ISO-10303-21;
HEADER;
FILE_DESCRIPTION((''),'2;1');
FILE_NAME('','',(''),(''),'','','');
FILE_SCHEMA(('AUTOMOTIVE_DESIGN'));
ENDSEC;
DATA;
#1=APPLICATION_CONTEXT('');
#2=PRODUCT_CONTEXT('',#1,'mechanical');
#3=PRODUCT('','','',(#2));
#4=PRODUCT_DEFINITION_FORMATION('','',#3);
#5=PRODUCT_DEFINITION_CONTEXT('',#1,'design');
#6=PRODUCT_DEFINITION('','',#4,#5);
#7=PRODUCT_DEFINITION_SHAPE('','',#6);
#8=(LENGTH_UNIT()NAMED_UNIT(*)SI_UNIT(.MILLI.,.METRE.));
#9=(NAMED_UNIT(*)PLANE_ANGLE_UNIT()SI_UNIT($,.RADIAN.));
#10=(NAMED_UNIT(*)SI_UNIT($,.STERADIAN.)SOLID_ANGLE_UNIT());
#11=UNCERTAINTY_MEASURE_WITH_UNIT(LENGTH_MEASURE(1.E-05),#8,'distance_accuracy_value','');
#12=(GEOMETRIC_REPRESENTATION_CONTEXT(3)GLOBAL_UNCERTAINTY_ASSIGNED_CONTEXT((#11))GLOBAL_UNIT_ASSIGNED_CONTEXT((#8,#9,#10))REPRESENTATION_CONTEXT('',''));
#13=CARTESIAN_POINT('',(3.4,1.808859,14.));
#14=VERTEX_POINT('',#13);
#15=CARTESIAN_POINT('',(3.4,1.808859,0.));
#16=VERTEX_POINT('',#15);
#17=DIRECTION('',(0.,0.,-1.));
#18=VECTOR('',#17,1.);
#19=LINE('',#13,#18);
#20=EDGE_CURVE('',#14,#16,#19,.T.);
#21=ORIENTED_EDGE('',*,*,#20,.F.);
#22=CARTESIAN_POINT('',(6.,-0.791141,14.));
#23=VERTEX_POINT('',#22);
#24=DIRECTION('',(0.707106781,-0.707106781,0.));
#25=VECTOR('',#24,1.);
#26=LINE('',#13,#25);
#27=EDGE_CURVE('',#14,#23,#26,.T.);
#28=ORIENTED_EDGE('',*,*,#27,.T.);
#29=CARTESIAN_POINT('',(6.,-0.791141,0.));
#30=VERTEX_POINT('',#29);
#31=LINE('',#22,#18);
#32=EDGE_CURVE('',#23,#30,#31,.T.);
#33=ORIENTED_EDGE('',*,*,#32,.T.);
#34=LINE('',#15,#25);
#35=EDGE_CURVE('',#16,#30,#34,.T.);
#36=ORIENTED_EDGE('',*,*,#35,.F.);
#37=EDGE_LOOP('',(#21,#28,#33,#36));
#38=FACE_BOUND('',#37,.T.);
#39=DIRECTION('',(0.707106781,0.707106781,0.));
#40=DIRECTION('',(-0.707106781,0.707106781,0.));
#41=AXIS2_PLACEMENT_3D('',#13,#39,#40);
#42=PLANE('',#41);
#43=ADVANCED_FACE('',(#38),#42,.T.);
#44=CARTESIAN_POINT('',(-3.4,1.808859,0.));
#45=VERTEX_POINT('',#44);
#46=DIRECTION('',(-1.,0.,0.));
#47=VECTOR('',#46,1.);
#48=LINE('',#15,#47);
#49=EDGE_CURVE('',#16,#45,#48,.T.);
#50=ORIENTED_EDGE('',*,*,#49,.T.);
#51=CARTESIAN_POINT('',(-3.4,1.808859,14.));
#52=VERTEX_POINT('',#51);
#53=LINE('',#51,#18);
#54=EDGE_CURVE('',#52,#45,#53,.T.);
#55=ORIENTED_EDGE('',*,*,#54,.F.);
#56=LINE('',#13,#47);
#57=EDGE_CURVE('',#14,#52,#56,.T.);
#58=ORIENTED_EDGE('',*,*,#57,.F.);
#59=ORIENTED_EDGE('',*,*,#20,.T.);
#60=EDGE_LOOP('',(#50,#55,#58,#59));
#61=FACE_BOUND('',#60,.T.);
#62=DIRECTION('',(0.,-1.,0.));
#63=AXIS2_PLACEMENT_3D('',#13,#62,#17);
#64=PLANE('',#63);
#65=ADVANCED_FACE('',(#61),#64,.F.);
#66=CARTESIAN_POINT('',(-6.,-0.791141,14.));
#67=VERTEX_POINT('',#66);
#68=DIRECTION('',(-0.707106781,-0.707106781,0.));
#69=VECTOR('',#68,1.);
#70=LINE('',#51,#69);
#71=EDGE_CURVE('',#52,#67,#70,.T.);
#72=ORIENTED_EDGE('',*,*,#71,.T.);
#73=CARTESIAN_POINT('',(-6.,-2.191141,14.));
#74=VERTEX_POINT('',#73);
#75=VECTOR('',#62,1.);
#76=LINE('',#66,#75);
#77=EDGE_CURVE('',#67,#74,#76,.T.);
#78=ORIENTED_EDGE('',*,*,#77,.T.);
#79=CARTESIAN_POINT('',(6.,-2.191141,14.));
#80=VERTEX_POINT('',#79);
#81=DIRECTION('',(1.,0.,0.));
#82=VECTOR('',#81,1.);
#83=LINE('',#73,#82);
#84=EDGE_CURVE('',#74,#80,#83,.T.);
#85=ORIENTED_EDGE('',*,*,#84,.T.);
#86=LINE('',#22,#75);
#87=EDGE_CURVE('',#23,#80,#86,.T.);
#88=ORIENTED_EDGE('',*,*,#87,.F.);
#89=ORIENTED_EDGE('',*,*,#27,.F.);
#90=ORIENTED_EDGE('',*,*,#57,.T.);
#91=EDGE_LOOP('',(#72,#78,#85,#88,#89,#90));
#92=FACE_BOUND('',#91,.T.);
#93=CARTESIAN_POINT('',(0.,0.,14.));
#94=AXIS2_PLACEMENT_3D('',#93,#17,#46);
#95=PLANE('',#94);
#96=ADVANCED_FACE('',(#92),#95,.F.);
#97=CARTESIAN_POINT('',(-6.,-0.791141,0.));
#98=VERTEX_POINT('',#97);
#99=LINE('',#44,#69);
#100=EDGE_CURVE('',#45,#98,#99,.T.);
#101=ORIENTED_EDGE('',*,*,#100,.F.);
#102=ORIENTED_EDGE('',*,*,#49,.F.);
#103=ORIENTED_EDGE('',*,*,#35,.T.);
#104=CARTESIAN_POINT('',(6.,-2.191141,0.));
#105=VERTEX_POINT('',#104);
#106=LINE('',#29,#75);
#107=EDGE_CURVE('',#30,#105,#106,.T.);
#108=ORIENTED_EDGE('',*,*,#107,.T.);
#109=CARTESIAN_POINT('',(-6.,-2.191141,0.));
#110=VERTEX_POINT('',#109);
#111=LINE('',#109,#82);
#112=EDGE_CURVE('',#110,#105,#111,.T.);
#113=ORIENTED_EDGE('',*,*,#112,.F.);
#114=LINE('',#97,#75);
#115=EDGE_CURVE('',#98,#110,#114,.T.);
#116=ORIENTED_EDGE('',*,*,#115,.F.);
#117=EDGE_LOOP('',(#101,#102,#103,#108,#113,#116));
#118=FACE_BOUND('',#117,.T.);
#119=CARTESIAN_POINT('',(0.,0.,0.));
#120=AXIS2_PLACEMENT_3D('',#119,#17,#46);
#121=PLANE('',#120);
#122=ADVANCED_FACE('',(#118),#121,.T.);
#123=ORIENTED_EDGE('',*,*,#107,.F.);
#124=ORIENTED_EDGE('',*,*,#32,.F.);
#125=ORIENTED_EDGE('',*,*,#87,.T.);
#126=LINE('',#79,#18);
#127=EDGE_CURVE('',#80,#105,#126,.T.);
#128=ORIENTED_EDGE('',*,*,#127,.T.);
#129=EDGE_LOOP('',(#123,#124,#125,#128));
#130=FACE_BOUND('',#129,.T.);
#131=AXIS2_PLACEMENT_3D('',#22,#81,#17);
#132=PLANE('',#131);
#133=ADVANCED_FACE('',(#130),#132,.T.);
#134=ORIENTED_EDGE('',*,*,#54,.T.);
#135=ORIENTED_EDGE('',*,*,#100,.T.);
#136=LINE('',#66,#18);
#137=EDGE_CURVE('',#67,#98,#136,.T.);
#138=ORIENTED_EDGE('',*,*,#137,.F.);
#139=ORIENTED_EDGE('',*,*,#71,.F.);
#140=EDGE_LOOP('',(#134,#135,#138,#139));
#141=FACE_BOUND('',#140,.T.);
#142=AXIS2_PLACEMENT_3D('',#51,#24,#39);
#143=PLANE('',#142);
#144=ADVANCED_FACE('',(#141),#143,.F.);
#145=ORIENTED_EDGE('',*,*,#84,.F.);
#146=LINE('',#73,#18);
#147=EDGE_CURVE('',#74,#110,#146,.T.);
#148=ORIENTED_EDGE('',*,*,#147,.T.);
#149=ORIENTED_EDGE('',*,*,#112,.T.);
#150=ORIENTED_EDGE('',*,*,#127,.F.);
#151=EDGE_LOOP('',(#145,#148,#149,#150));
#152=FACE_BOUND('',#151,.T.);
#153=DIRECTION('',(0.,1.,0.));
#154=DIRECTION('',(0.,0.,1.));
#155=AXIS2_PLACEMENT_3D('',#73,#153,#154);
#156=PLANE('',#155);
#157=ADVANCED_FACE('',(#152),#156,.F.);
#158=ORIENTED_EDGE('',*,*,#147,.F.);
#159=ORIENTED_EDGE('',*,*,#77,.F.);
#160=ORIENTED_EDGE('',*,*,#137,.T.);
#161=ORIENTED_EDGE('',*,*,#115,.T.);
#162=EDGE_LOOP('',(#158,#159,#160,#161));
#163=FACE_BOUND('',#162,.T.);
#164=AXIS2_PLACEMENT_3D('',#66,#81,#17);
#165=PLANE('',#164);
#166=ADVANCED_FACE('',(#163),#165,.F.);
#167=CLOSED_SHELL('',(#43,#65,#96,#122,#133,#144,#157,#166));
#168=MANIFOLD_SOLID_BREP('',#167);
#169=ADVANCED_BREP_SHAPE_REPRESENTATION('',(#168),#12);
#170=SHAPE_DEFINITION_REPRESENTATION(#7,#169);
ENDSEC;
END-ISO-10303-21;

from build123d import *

# Parameters (mm, degrees)
AUFSATZ_LINEAR_AUSTRAGEN1_DEPTH = 14


with BuildPart() as part:
    # Skizze1 → Aufsatz-Linear austragen1 (new body)
    with BuildSketch(Plane.XY):
        Polygon((3.4, 1.808858787), (-3.4, 1.808858787), (-6, -0.791141213), (-6, -2.191141213), (6, -2.191141213), (6, -0.791141213), align=None)
    extrude(amount=AUFSATZ_LINEAR_AUSTRAGEN1_DEPTH)


solid = part.part
